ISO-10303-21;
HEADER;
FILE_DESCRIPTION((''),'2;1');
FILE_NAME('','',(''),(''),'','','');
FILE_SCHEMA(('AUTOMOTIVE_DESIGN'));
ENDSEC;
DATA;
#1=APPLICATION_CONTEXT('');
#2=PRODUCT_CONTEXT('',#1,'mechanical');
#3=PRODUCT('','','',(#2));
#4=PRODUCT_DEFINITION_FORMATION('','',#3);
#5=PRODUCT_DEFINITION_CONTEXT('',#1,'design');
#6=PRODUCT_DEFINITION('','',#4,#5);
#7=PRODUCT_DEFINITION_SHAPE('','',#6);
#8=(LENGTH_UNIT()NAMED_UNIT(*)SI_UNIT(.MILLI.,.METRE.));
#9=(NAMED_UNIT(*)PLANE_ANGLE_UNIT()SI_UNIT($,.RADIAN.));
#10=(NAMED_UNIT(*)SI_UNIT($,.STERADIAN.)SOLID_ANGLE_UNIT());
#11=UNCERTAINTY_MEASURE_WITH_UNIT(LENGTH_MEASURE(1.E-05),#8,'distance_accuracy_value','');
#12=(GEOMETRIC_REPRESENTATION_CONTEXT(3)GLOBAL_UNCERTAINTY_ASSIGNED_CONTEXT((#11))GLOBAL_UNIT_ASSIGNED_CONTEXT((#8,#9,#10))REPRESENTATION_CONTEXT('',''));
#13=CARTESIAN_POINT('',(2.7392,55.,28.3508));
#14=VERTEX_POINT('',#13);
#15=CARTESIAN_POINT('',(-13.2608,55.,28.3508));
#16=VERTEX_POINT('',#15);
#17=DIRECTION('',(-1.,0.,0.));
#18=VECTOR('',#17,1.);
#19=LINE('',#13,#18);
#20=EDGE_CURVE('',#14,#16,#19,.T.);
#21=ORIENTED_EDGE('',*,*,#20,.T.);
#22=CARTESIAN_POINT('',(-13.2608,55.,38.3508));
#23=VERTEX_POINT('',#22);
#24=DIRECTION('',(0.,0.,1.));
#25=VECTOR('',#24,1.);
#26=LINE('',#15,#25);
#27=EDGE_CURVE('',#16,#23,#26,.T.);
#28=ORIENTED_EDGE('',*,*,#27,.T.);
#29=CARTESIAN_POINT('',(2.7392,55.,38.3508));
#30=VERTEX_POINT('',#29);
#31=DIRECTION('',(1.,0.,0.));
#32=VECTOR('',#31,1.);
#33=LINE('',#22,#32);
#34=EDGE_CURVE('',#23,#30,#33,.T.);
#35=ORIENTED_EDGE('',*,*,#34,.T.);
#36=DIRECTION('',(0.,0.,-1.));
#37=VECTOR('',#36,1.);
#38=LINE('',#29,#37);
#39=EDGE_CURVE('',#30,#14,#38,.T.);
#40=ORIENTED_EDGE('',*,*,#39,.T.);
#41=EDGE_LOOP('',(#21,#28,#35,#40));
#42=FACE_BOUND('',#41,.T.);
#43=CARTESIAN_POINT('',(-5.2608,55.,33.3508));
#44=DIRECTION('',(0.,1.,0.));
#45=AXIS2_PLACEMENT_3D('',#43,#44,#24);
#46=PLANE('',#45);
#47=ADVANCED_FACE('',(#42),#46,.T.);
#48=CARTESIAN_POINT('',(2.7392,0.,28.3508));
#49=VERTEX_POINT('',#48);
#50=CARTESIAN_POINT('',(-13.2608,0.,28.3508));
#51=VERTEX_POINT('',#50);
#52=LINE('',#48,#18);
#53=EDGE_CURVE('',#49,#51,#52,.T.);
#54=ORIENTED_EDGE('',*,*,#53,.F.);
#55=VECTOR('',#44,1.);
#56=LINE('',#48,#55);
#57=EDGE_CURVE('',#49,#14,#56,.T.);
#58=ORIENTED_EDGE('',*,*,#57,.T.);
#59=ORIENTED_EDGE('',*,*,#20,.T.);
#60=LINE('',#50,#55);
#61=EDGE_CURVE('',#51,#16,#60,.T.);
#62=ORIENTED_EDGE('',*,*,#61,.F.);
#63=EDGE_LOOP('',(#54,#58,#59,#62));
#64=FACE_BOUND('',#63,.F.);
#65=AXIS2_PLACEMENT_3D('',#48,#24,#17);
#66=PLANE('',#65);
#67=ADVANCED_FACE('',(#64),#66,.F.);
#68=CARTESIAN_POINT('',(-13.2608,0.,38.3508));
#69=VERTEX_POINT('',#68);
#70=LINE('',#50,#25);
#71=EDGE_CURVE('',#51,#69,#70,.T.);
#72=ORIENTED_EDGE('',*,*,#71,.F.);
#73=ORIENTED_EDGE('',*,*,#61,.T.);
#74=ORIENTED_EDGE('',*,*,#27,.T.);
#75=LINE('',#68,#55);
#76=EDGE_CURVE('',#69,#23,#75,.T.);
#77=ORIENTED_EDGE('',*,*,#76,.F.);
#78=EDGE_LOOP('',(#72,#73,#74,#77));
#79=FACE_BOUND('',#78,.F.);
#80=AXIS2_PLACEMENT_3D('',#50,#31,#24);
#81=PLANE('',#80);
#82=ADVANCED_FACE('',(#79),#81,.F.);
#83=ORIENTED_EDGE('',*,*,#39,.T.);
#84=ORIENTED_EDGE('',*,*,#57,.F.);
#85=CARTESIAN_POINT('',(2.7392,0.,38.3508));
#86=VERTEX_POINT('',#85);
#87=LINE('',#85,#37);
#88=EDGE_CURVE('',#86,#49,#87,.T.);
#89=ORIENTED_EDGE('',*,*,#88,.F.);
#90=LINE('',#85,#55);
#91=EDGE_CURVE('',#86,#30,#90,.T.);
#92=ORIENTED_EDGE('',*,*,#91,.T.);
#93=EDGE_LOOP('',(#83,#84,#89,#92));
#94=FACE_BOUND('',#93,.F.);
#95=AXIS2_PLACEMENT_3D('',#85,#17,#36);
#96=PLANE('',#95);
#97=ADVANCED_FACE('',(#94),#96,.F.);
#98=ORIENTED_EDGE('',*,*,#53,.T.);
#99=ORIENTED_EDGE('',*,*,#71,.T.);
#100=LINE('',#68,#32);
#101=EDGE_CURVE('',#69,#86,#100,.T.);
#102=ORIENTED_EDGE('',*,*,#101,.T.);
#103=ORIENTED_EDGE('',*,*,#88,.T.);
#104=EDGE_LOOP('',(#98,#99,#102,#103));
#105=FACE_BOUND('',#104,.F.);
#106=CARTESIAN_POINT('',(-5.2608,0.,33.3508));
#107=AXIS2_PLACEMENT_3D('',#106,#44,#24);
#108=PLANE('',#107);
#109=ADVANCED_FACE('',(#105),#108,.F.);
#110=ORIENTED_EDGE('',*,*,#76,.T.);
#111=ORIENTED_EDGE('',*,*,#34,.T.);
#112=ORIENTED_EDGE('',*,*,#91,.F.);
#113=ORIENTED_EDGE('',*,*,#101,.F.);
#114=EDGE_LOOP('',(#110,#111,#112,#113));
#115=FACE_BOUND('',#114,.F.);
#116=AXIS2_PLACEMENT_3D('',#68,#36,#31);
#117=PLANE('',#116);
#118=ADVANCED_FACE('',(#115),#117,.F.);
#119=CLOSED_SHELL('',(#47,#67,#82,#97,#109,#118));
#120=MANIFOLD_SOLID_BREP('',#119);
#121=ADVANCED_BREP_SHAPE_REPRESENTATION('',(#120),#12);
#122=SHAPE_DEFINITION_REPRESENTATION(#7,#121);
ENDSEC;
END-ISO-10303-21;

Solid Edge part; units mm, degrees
sketch "Sketch1" plane through (0, 0, 0) normal (0, -1, 0) x (1, 0, 0)
  line L0 (2.7392, 28.3508) -> (-13.2608, 28.3508)
  line L1 (-13.2608, 28.3508) -> (-13.2608, 38.3508)
  line L2 (-13.2608, 38.3508) -> (2.7392, 38.3508)
  line L3 (2.7392, 38.3508) -> (2.7392, 28.3508)
extrude "Protrusion1" add sketch "Sketch1" against normal blind 55
